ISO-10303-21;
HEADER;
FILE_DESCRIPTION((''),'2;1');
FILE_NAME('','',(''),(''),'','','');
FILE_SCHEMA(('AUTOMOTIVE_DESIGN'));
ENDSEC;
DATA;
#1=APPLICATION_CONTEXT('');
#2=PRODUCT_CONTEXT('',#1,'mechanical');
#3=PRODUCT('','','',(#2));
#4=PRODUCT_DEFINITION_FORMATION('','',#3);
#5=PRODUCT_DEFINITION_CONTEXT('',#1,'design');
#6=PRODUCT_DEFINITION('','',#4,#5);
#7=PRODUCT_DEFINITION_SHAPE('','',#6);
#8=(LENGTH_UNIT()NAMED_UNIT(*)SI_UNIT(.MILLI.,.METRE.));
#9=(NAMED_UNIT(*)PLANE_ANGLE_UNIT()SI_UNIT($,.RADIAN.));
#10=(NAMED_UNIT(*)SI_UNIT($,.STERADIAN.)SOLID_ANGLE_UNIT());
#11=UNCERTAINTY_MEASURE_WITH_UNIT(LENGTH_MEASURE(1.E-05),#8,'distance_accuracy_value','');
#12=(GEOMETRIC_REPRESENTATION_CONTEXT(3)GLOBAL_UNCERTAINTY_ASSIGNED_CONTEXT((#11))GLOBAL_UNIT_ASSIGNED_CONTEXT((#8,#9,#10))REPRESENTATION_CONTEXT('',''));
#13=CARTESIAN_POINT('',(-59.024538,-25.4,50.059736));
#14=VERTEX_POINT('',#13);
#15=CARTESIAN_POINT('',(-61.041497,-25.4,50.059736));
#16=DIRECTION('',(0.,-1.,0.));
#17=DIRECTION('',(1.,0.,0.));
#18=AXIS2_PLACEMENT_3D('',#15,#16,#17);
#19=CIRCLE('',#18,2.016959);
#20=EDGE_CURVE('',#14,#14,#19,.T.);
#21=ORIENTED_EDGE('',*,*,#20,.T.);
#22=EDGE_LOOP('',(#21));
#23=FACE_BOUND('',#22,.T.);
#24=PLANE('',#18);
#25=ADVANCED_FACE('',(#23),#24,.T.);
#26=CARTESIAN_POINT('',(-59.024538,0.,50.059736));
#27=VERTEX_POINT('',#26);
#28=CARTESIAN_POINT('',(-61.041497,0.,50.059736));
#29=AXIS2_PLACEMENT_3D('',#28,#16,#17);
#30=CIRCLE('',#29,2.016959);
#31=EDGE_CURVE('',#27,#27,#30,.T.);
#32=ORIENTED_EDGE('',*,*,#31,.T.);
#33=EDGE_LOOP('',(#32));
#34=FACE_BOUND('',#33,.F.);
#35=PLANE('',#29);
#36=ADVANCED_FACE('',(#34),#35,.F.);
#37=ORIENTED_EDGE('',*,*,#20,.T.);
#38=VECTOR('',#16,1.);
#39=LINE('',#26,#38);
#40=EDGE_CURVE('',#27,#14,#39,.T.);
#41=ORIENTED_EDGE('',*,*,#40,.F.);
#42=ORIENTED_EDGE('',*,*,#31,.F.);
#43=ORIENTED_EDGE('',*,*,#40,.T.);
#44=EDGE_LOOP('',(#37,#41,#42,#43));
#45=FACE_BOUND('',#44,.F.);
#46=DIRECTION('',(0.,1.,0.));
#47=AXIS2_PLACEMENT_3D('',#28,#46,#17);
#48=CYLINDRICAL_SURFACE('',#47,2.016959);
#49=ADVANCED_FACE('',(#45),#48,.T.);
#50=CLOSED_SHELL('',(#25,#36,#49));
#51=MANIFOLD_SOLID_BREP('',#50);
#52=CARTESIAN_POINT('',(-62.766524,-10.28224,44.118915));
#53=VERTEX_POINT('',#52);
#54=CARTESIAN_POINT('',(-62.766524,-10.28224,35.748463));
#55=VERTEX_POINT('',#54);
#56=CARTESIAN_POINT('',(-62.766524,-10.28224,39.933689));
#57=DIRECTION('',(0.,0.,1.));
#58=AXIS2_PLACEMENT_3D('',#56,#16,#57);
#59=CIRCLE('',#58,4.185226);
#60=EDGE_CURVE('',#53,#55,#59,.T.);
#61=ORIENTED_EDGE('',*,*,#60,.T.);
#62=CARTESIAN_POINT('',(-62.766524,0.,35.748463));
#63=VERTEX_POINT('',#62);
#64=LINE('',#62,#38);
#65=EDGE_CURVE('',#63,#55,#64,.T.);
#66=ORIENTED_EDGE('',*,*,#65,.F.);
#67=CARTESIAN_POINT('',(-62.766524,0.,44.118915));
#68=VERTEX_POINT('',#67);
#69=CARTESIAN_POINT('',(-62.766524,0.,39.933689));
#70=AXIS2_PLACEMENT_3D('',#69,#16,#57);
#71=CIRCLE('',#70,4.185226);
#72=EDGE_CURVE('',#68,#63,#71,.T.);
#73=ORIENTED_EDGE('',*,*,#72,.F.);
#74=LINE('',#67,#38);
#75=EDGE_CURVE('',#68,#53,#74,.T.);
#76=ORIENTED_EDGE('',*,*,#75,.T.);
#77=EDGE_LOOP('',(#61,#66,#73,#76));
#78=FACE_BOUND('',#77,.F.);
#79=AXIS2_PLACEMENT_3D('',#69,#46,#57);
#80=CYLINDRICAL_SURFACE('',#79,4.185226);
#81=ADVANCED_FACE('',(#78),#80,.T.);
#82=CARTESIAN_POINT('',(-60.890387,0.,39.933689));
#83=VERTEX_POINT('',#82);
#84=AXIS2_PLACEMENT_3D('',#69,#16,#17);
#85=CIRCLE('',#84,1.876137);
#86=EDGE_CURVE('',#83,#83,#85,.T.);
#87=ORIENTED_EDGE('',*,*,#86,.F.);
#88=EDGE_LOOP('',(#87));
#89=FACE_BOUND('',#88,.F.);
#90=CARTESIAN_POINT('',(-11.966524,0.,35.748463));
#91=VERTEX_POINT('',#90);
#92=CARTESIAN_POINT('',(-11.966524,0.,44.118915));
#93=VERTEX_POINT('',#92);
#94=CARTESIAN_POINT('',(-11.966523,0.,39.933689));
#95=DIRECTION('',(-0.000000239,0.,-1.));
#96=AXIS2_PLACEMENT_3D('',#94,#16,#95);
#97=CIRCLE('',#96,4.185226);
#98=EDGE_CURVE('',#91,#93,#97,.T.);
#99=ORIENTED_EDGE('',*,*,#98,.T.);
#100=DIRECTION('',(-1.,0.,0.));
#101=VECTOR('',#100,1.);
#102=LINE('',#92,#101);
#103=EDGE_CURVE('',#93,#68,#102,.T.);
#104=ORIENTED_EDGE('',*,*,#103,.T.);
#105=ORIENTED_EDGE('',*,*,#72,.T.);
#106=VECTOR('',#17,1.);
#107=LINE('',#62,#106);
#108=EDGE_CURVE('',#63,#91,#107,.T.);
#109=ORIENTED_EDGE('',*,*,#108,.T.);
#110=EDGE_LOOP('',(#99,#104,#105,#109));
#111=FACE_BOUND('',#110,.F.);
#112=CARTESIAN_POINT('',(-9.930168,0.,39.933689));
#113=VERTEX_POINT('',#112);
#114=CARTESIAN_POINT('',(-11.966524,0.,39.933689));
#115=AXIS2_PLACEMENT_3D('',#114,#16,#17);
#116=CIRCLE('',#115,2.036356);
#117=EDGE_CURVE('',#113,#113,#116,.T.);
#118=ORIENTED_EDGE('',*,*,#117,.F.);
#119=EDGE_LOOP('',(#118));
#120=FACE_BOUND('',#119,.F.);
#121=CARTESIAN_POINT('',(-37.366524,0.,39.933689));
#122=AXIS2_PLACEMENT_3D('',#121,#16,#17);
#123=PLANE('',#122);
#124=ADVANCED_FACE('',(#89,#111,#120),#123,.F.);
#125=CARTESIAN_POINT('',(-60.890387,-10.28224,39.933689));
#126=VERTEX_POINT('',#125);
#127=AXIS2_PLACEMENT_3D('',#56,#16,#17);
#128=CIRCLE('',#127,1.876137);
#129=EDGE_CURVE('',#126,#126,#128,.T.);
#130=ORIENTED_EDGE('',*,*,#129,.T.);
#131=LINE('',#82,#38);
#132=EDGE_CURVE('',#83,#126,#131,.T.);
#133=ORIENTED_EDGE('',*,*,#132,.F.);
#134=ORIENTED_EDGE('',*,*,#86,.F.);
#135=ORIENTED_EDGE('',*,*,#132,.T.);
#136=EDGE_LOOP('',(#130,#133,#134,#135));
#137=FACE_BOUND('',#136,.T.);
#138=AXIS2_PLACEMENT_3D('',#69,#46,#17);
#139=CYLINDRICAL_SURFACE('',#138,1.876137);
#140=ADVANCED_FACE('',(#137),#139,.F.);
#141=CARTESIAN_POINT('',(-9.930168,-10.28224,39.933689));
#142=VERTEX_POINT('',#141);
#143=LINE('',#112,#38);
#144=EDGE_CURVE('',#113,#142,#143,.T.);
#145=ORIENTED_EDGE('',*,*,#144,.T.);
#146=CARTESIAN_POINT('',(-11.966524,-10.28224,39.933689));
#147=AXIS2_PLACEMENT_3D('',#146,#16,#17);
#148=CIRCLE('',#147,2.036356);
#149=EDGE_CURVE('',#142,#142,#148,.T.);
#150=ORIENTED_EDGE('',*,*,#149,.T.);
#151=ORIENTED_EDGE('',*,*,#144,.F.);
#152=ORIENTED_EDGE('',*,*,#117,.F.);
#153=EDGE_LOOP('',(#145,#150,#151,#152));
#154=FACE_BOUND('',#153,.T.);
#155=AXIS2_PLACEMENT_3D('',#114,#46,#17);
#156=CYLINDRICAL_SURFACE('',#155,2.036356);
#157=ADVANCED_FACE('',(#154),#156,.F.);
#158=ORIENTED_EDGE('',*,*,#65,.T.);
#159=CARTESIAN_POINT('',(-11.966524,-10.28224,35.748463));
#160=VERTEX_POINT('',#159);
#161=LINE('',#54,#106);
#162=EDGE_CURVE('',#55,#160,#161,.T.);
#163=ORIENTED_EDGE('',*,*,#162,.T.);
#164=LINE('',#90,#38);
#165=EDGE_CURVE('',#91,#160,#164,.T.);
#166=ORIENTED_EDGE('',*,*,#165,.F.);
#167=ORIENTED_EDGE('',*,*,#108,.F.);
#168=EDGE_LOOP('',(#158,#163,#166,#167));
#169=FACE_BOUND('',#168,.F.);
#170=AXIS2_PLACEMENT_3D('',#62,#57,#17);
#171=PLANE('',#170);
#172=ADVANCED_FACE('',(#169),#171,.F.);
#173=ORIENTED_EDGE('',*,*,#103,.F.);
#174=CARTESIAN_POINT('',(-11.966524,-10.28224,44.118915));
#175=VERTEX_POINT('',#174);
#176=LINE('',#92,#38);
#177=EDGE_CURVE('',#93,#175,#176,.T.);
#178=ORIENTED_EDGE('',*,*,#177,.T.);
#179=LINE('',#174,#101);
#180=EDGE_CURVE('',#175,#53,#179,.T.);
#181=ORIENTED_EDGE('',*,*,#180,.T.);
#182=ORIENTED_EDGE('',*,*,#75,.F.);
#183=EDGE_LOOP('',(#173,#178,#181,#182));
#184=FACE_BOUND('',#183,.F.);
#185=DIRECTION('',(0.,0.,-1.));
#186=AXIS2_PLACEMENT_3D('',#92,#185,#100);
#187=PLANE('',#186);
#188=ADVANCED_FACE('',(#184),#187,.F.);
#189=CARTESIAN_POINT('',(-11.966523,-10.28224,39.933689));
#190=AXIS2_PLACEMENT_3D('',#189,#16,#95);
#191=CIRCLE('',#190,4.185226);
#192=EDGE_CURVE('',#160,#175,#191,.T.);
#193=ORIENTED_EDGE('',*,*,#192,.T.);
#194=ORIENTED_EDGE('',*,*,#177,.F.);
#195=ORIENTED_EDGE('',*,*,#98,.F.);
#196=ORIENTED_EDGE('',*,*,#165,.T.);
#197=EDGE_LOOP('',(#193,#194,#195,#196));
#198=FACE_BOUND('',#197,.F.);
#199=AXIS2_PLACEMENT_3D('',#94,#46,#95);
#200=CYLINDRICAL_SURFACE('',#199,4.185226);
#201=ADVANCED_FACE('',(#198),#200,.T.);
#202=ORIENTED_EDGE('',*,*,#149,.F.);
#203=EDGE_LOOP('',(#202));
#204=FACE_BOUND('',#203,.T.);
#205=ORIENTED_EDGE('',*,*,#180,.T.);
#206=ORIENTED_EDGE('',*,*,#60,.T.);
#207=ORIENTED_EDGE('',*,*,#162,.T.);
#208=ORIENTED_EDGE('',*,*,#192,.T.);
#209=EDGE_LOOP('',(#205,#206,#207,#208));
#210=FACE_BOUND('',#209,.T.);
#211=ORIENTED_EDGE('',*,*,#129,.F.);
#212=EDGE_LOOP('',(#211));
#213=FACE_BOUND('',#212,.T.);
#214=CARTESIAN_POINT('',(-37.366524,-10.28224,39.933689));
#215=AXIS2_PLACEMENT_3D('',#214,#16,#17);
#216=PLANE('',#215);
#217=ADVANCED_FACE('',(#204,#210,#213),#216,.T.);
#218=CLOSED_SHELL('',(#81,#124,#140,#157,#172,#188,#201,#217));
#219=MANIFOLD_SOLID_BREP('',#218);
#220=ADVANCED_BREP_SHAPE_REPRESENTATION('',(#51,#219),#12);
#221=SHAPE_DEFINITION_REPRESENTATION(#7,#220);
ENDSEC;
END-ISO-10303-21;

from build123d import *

# Parameters (mm, degrees)
F0_R     = 1.876137
F0_R_2   = 2.036356
F1_DEPTH = 10.28224
F2_R     = 2.016959
F3_DEPTH = 25.4


with BuildPart() as f1:
    # F0 (on Front) → F1 (new body)
    with BuildSketch(Plane.XZ):
        with BuildLine():
            Line((-11.966524, 44.118915), (-62.766524, 44.118915))
            ThreePointArc((-62.766524, 44.118915), (-66.95175, 39.933689), (-62.766524, 35.748463))
            Line((-62.766524, 35.748463), (-11.966524, 35.748463))
            ThreePointArc((-11.966524, 35.748463), (-7.781297, 39.933689), (-11.966524, 44.118915))
        make_face()
        with Locations((-62.766524, 39.933689)):
            Circle(F0_R, mode=Mode.SUBTRACT)
        with Locations((-11.966524, 39.933689)):
            Circle(F0_R_2, mode=Mode.SUBTRACT)
    extrude(amount=F1_DEPTH)


with BuildPart() as f3:
    # F2 (on Front) → F3 (new body)
    with BuildSketch(Plane.XZ):
        with Locations((-61.041497, 50.059736)):
            Circle(F2_R)
    extrude(amount=F3_DEPTH)


solid = Compound([f1.part, f3.part])
